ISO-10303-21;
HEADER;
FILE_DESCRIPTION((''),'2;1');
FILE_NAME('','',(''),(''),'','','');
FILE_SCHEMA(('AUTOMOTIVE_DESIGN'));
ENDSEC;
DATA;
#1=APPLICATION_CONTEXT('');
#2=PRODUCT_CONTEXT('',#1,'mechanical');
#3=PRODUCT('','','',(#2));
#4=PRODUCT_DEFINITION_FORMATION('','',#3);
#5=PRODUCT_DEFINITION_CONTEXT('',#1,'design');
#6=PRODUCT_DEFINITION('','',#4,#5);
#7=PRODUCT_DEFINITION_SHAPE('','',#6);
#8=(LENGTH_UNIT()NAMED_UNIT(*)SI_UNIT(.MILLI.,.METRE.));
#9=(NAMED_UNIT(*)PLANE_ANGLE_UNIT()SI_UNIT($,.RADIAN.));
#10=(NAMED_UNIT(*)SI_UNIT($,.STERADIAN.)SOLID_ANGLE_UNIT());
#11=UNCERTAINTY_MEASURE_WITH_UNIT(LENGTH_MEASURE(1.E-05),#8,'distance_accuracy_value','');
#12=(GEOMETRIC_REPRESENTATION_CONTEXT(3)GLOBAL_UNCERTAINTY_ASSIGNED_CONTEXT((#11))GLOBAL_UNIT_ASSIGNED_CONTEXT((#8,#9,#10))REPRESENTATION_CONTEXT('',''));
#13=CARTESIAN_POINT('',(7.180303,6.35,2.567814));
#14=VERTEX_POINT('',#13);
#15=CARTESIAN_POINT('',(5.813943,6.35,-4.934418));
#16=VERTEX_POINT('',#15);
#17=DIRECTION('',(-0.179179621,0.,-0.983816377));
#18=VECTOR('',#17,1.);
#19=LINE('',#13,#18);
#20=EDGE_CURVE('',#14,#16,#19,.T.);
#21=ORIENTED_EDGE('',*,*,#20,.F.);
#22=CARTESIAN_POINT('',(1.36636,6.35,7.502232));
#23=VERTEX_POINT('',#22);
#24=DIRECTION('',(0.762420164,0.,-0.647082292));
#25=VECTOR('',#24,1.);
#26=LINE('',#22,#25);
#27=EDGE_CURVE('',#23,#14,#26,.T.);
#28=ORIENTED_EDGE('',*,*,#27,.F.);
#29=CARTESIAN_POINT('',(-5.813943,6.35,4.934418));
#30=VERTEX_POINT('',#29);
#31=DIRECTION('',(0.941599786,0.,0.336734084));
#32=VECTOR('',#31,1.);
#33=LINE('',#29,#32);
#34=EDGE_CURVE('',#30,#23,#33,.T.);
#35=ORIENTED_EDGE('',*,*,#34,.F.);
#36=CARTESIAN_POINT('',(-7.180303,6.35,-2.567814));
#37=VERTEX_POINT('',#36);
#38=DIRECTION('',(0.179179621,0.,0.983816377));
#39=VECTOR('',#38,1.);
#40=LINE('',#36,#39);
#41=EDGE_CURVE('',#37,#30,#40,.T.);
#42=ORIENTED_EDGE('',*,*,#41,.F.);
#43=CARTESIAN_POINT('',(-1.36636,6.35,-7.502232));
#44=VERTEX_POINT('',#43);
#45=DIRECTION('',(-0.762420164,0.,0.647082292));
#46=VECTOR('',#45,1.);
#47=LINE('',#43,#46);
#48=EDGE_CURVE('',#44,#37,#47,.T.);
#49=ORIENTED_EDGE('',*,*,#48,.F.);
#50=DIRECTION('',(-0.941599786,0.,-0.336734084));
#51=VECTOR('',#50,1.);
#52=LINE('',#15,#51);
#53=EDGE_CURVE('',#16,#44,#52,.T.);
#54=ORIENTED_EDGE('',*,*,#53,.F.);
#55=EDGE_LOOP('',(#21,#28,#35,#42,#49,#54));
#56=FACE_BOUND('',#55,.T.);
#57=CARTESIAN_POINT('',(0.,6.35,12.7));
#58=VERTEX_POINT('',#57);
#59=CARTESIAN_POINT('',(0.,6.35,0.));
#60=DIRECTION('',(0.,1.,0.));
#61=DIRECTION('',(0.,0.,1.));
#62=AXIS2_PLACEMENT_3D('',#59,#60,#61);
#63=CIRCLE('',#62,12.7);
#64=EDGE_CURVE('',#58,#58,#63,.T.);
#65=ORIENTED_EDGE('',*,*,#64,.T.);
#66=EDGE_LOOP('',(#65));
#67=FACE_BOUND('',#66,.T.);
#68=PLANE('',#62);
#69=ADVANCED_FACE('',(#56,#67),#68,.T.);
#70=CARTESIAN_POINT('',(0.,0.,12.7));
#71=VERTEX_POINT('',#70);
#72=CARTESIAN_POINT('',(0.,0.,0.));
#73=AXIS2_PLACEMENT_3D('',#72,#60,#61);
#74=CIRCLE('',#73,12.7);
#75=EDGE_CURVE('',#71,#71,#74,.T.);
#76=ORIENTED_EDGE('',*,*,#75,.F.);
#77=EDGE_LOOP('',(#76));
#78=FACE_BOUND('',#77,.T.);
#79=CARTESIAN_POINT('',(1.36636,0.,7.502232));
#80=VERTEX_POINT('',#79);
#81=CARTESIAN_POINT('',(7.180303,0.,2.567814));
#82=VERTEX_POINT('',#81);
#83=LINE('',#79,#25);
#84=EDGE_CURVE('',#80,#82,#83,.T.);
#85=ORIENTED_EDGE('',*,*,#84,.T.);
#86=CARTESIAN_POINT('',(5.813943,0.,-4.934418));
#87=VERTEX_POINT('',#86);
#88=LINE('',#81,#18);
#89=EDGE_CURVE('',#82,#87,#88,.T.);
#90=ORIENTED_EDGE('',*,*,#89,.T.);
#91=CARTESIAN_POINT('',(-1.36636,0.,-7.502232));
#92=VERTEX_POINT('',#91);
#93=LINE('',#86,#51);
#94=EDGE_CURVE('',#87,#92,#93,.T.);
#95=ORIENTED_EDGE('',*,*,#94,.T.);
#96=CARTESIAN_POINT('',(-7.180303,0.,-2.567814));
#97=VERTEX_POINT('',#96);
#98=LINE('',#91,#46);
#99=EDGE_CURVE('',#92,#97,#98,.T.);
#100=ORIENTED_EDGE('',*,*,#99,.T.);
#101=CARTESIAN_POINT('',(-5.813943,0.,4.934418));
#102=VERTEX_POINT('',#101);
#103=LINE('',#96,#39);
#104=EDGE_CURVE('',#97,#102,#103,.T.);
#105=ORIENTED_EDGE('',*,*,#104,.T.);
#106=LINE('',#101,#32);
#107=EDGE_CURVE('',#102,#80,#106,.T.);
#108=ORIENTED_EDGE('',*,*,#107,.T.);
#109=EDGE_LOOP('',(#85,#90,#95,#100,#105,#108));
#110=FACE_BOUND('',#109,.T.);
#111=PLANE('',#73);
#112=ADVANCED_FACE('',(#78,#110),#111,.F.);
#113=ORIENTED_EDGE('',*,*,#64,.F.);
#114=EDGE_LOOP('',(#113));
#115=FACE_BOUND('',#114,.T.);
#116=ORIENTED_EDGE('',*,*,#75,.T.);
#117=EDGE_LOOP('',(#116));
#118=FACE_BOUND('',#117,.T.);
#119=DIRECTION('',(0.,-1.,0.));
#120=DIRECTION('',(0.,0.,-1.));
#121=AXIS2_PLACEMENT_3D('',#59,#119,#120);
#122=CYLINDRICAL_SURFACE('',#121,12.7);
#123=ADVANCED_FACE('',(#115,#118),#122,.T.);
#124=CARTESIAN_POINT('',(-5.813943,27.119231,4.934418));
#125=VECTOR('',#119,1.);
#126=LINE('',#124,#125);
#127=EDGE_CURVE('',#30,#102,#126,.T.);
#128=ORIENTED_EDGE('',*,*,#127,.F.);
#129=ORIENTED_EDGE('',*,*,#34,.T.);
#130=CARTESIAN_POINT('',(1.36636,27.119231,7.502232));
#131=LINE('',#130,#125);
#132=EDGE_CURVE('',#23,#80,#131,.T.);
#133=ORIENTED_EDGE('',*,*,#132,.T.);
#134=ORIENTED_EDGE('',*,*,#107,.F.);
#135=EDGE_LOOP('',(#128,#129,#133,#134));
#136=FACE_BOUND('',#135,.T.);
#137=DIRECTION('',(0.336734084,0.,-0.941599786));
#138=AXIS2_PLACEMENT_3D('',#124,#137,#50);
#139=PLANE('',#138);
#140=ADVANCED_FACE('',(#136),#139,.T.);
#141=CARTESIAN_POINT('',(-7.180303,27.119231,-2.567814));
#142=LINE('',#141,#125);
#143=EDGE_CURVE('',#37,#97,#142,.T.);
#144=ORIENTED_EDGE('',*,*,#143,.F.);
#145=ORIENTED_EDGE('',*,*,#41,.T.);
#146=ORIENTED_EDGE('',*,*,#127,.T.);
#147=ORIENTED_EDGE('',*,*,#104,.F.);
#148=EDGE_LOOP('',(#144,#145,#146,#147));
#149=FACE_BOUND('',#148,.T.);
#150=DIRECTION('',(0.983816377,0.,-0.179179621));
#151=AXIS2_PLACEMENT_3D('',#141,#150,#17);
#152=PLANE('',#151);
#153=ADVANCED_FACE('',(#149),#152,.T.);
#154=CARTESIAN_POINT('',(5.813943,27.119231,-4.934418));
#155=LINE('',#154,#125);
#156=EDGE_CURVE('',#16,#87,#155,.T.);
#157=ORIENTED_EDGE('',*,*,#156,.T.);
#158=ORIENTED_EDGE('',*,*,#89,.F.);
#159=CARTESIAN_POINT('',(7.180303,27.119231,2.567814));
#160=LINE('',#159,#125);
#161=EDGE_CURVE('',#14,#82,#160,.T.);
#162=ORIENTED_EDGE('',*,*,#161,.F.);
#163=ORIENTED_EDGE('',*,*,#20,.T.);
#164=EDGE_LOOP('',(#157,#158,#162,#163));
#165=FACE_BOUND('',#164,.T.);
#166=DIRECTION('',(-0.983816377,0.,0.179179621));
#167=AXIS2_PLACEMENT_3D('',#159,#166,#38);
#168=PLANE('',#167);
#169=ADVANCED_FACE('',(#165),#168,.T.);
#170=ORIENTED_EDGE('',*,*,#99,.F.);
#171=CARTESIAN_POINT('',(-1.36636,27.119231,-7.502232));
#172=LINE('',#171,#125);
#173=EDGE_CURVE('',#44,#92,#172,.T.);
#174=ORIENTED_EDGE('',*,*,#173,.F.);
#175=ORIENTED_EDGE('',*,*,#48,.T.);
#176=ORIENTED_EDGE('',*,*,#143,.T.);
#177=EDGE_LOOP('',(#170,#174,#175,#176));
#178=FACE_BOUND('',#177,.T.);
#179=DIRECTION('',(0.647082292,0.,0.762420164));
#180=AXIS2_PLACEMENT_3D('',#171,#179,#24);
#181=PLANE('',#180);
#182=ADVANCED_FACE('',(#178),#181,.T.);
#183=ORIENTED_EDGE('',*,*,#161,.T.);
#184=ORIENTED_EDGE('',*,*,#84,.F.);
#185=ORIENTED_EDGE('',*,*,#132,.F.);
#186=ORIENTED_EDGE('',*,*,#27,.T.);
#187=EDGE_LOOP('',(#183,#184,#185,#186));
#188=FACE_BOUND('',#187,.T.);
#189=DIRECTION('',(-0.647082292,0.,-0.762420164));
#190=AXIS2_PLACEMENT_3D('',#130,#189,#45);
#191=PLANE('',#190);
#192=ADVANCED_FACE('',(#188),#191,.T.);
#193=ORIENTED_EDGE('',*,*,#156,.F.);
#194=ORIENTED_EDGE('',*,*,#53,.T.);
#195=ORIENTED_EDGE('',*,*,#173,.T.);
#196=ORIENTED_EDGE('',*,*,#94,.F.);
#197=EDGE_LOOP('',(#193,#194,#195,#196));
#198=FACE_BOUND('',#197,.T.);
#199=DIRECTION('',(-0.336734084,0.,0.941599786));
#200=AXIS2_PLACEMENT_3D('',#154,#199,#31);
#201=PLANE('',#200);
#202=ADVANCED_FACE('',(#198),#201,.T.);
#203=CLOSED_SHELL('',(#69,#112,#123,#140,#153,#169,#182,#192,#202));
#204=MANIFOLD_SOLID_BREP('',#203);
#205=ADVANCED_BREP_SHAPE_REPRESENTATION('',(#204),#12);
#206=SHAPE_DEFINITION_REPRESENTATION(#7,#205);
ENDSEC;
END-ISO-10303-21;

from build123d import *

# Parameters (mm, degrees)
SKETCH1_R           = 12.7
BOSS_EXTRUDE1_DEPTH = 6.35
CUT_EXTRUDE1_DEPTH  = 6.35


with BuildPart() as part:
    # Sketch1 → Boss-Extrude1 (new body)
    with BuildSketch(Plane(origin=(0, 0, 0), x_dir=(1, 0, 0), z_dir=(0, 1, 0))):
        Circle(SKETCH1_R)
    extrude(amount=BOSS_EXTRUDE1_DEPTH)

    # Sketch2 → Cut-Extrude1 (cut)
    with BuildSketch(Plane(origin=(0, 0, 0), x_dir=(1, 0, 0), z_dir=(0, 1, 0))):
        Polygon((-1.36635971, 7.502231833), (-7.180303208, 2.567813697), (-5.813943497, -4.934418136), (1.36635971, -7.502231833), (7.180303208, -2.567813697), (5.813943497, 4.934418136), align=None)
    extrude(amount=CUT_EXTRUDE1_DEPTH, mode=Mode.SUBTRACT)


solid = part.part
